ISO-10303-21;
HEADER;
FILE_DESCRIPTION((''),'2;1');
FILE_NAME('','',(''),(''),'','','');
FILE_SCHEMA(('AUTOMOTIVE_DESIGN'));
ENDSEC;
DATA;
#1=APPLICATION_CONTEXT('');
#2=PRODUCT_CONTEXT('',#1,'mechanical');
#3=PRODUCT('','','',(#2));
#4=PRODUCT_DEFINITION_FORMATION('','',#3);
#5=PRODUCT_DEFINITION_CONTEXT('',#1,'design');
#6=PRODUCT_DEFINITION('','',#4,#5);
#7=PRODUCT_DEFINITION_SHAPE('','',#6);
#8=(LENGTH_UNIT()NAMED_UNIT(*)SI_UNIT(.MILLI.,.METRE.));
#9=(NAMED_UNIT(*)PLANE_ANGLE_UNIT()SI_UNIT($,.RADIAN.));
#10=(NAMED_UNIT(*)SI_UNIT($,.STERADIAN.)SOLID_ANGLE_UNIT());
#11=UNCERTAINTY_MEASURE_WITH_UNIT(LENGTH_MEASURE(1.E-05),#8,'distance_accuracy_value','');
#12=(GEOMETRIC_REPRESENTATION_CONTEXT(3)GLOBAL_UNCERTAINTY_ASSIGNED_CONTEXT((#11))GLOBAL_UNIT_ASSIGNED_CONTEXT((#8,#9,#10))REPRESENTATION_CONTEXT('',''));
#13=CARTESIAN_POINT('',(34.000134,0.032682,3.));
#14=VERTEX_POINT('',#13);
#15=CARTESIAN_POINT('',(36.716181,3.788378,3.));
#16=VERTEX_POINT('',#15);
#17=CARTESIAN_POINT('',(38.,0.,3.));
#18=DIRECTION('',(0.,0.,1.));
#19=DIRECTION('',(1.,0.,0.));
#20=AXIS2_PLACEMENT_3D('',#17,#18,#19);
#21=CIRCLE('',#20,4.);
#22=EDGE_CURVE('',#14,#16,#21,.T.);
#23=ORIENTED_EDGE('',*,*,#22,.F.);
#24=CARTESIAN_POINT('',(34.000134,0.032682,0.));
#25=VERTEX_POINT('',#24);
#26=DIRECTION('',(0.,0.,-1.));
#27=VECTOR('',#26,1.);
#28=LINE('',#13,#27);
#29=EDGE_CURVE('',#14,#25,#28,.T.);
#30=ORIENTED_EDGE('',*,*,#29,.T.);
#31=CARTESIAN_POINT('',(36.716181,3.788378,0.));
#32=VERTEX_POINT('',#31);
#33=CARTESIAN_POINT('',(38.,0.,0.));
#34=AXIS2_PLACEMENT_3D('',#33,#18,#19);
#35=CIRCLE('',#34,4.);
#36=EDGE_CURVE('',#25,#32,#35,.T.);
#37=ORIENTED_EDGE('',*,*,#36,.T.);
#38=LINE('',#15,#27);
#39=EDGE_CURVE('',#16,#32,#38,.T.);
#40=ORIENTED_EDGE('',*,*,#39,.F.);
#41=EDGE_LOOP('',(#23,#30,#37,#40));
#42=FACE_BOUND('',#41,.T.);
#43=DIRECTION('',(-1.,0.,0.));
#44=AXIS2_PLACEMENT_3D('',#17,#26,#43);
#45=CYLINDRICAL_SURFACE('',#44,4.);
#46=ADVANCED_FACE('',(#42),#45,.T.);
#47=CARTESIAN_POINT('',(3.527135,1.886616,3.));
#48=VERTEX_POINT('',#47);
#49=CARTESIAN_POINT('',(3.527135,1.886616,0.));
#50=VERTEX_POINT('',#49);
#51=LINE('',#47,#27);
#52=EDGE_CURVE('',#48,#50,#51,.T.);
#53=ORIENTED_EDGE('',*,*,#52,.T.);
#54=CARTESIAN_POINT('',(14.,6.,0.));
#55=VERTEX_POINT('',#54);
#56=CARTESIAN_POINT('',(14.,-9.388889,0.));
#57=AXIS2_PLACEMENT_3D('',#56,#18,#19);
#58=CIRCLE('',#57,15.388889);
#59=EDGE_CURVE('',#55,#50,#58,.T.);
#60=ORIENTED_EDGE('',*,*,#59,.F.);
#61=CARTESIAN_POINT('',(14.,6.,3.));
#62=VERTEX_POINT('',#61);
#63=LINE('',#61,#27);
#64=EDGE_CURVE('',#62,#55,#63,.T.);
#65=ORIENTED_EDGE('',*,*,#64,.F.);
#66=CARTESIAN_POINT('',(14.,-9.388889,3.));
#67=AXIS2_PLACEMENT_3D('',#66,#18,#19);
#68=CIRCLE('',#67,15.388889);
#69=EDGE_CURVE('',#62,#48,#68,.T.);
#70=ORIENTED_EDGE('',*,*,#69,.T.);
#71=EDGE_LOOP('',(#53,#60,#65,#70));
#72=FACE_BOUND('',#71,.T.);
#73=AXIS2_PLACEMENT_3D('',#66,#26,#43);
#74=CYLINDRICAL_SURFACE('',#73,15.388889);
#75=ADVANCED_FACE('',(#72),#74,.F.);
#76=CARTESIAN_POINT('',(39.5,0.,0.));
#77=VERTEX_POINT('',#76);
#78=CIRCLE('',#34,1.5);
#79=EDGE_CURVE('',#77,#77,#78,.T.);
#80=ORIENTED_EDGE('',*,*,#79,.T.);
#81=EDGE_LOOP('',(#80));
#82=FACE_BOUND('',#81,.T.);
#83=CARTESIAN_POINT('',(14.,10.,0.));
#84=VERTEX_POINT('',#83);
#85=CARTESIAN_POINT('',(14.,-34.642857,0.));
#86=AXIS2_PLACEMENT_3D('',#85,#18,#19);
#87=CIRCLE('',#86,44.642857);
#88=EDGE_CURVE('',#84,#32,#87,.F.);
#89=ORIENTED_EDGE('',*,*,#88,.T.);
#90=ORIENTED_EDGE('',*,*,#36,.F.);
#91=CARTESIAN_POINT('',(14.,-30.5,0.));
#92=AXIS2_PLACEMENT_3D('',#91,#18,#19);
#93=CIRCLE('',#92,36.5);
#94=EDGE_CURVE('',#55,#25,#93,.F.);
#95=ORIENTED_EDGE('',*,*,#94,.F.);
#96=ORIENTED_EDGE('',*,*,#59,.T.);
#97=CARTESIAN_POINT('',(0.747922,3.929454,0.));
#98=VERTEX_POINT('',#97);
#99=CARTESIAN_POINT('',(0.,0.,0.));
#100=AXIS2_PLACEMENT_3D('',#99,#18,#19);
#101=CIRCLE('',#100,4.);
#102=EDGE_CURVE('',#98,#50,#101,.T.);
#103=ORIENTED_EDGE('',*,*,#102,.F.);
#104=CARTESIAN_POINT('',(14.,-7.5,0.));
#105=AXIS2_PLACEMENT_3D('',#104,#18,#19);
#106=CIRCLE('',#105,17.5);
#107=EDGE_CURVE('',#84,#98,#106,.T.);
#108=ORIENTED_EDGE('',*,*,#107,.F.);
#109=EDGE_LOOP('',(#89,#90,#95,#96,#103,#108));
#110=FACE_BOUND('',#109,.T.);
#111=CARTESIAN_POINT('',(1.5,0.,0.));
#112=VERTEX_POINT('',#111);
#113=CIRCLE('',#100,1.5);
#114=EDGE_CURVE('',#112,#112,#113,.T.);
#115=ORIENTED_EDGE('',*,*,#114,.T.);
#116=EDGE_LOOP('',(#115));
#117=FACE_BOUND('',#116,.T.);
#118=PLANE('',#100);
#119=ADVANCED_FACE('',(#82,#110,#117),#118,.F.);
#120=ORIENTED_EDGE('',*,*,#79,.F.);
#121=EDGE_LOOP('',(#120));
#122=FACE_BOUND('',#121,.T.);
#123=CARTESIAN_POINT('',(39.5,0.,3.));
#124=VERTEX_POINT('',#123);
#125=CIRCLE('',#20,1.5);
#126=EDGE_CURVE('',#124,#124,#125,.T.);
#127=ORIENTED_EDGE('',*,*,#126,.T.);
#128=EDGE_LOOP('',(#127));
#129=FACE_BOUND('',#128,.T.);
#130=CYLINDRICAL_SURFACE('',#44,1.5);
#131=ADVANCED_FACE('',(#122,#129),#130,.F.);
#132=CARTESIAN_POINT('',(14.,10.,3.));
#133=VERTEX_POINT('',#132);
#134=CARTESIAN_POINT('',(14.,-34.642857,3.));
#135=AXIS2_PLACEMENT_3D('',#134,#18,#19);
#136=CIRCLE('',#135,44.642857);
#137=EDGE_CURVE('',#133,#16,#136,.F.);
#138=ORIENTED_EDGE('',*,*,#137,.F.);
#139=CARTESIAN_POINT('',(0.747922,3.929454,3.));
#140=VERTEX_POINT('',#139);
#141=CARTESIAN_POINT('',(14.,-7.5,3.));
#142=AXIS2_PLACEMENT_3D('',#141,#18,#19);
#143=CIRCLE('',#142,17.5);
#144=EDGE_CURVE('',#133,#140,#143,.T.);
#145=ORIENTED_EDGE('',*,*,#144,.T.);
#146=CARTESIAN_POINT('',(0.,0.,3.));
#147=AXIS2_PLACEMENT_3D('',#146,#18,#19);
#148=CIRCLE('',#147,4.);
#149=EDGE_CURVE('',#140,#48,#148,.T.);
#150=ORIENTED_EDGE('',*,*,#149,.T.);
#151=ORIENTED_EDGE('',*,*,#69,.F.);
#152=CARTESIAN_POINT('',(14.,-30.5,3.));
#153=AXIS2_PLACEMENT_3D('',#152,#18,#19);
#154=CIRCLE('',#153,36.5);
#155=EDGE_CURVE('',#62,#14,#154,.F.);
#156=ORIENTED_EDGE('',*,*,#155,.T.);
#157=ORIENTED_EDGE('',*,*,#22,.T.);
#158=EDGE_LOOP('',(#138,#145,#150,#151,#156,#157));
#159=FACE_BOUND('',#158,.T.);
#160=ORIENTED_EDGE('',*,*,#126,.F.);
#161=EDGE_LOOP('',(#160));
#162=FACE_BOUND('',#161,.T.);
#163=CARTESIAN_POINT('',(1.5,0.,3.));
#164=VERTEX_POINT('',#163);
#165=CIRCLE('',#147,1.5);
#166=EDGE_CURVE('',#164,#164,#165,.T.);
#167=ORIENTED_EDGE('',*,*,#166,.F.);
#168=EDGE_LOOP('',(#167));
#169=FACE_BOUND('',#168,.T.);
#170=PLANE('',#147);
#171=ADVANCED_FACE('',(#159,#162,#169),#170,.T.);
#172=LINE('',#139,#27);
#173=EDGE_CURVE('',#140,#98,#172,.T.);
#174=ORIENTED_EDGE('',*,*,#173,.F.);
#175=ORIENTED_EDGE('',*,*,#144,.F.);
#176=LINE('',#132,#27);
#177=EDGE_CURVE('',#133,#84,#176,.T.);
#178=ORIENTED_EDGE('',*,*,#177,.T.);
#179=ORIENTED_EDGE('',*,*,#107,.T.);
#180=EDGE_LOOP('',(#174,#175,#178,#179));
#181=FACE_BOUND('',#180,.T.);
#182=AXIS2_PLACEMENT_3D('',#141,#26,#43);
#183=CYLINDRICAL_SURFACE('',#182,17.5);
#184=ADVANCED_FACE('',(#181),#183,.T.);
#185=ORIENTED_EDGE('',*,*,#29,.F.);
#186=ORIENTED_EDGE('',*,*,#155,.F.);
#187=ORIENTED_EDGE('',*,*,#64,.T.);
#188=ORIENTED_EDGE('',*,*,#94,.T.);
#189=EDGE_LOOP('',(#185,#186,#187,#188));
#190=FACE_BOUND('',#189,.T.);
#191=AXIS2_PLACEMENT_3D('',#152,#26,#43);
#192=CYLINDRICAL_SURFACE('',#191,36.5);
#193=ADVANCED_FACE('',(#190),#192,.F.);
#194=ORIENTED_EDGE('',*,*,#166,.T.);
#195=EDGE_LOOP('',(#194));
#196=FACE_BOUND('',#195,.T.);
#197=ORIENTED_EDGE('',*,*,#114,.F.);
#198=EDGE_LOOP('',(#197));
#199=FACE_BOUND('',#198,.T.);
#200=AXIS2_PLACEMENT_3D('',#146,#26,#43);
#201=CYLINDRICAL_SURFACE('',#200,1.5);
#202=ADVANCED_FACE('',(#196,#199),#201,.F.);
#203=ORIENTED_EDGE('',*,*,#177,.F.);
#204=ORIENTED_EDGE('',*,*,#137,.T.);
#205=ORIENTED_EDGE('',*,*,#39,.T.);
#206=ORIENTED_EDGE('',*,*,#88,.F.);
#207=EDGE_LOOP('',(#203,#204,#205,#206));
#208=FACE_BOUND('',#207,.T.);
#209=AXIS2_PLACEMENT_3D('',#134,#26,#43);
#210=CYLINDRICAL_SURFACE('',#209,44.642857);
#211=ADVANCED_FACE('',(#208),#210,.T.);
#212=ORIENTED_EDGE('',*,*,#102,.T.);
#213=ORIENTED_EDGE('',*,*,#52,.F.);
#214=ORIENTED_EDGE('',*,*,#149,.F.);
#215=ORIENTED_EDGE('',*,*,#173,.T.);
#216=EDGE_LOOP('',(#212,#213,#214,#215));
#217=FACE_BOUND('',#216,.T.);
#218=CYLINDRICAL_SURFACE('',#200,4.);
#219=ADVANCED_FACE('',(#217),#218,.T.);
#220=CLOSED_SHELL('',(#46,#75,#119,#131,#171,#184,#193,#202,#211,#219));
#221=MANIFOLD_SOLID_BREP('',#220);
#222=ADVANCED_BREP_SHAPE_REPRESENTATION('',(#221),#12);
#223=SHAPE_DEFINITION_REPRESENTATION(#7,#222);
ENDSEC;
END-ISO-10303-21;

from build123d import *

# Parameters (mm, degrees)
CROQUIS1_R              = 1.5
SALIENTE_EXTRUIR1_DEPTH = 3


with BuildPart() as part:
    # Croquis1 → Saliente-Extruir1 (new body)
    with BuildSketch(Plane.XY):
        with BuildLine():
            ThreePointArc((14, 6), (24.435686691, 4.476369784), (34.000133515, 0.032681824))
            ThreePointArc((34.000133515, 0.032681824), (41.241241669, -2.344003507), (36.716180593, 3.788377981))
            ThreePointArc((36.716180593, 3.788377981), (25.775070157, 8.419103062), (14, 10))
            ThreePointArc((14, 10), (6.711840205, 8.410145405), (0.74792205, 3.929454492))
            ThreePointArc((0.74792205, 3.929454492), (-2.369034826, -3.222991466), (3.52713505, 1.886615578))
            ThreePointArc((3.52713505, 1.886615578), (8.37414825, 4.934787082), (14, 6))
        make_face()
        Circle(CROQUIS1_R, mode=Mode.SUBTRACT)
        with Locations((38, 0)):
            Circle(CROQUIS1_R, mode=Mode.SUBTRACT)
    extrude(amount=SALIENTE_EXTRUIR1_DEPTH)


solid = part.part
